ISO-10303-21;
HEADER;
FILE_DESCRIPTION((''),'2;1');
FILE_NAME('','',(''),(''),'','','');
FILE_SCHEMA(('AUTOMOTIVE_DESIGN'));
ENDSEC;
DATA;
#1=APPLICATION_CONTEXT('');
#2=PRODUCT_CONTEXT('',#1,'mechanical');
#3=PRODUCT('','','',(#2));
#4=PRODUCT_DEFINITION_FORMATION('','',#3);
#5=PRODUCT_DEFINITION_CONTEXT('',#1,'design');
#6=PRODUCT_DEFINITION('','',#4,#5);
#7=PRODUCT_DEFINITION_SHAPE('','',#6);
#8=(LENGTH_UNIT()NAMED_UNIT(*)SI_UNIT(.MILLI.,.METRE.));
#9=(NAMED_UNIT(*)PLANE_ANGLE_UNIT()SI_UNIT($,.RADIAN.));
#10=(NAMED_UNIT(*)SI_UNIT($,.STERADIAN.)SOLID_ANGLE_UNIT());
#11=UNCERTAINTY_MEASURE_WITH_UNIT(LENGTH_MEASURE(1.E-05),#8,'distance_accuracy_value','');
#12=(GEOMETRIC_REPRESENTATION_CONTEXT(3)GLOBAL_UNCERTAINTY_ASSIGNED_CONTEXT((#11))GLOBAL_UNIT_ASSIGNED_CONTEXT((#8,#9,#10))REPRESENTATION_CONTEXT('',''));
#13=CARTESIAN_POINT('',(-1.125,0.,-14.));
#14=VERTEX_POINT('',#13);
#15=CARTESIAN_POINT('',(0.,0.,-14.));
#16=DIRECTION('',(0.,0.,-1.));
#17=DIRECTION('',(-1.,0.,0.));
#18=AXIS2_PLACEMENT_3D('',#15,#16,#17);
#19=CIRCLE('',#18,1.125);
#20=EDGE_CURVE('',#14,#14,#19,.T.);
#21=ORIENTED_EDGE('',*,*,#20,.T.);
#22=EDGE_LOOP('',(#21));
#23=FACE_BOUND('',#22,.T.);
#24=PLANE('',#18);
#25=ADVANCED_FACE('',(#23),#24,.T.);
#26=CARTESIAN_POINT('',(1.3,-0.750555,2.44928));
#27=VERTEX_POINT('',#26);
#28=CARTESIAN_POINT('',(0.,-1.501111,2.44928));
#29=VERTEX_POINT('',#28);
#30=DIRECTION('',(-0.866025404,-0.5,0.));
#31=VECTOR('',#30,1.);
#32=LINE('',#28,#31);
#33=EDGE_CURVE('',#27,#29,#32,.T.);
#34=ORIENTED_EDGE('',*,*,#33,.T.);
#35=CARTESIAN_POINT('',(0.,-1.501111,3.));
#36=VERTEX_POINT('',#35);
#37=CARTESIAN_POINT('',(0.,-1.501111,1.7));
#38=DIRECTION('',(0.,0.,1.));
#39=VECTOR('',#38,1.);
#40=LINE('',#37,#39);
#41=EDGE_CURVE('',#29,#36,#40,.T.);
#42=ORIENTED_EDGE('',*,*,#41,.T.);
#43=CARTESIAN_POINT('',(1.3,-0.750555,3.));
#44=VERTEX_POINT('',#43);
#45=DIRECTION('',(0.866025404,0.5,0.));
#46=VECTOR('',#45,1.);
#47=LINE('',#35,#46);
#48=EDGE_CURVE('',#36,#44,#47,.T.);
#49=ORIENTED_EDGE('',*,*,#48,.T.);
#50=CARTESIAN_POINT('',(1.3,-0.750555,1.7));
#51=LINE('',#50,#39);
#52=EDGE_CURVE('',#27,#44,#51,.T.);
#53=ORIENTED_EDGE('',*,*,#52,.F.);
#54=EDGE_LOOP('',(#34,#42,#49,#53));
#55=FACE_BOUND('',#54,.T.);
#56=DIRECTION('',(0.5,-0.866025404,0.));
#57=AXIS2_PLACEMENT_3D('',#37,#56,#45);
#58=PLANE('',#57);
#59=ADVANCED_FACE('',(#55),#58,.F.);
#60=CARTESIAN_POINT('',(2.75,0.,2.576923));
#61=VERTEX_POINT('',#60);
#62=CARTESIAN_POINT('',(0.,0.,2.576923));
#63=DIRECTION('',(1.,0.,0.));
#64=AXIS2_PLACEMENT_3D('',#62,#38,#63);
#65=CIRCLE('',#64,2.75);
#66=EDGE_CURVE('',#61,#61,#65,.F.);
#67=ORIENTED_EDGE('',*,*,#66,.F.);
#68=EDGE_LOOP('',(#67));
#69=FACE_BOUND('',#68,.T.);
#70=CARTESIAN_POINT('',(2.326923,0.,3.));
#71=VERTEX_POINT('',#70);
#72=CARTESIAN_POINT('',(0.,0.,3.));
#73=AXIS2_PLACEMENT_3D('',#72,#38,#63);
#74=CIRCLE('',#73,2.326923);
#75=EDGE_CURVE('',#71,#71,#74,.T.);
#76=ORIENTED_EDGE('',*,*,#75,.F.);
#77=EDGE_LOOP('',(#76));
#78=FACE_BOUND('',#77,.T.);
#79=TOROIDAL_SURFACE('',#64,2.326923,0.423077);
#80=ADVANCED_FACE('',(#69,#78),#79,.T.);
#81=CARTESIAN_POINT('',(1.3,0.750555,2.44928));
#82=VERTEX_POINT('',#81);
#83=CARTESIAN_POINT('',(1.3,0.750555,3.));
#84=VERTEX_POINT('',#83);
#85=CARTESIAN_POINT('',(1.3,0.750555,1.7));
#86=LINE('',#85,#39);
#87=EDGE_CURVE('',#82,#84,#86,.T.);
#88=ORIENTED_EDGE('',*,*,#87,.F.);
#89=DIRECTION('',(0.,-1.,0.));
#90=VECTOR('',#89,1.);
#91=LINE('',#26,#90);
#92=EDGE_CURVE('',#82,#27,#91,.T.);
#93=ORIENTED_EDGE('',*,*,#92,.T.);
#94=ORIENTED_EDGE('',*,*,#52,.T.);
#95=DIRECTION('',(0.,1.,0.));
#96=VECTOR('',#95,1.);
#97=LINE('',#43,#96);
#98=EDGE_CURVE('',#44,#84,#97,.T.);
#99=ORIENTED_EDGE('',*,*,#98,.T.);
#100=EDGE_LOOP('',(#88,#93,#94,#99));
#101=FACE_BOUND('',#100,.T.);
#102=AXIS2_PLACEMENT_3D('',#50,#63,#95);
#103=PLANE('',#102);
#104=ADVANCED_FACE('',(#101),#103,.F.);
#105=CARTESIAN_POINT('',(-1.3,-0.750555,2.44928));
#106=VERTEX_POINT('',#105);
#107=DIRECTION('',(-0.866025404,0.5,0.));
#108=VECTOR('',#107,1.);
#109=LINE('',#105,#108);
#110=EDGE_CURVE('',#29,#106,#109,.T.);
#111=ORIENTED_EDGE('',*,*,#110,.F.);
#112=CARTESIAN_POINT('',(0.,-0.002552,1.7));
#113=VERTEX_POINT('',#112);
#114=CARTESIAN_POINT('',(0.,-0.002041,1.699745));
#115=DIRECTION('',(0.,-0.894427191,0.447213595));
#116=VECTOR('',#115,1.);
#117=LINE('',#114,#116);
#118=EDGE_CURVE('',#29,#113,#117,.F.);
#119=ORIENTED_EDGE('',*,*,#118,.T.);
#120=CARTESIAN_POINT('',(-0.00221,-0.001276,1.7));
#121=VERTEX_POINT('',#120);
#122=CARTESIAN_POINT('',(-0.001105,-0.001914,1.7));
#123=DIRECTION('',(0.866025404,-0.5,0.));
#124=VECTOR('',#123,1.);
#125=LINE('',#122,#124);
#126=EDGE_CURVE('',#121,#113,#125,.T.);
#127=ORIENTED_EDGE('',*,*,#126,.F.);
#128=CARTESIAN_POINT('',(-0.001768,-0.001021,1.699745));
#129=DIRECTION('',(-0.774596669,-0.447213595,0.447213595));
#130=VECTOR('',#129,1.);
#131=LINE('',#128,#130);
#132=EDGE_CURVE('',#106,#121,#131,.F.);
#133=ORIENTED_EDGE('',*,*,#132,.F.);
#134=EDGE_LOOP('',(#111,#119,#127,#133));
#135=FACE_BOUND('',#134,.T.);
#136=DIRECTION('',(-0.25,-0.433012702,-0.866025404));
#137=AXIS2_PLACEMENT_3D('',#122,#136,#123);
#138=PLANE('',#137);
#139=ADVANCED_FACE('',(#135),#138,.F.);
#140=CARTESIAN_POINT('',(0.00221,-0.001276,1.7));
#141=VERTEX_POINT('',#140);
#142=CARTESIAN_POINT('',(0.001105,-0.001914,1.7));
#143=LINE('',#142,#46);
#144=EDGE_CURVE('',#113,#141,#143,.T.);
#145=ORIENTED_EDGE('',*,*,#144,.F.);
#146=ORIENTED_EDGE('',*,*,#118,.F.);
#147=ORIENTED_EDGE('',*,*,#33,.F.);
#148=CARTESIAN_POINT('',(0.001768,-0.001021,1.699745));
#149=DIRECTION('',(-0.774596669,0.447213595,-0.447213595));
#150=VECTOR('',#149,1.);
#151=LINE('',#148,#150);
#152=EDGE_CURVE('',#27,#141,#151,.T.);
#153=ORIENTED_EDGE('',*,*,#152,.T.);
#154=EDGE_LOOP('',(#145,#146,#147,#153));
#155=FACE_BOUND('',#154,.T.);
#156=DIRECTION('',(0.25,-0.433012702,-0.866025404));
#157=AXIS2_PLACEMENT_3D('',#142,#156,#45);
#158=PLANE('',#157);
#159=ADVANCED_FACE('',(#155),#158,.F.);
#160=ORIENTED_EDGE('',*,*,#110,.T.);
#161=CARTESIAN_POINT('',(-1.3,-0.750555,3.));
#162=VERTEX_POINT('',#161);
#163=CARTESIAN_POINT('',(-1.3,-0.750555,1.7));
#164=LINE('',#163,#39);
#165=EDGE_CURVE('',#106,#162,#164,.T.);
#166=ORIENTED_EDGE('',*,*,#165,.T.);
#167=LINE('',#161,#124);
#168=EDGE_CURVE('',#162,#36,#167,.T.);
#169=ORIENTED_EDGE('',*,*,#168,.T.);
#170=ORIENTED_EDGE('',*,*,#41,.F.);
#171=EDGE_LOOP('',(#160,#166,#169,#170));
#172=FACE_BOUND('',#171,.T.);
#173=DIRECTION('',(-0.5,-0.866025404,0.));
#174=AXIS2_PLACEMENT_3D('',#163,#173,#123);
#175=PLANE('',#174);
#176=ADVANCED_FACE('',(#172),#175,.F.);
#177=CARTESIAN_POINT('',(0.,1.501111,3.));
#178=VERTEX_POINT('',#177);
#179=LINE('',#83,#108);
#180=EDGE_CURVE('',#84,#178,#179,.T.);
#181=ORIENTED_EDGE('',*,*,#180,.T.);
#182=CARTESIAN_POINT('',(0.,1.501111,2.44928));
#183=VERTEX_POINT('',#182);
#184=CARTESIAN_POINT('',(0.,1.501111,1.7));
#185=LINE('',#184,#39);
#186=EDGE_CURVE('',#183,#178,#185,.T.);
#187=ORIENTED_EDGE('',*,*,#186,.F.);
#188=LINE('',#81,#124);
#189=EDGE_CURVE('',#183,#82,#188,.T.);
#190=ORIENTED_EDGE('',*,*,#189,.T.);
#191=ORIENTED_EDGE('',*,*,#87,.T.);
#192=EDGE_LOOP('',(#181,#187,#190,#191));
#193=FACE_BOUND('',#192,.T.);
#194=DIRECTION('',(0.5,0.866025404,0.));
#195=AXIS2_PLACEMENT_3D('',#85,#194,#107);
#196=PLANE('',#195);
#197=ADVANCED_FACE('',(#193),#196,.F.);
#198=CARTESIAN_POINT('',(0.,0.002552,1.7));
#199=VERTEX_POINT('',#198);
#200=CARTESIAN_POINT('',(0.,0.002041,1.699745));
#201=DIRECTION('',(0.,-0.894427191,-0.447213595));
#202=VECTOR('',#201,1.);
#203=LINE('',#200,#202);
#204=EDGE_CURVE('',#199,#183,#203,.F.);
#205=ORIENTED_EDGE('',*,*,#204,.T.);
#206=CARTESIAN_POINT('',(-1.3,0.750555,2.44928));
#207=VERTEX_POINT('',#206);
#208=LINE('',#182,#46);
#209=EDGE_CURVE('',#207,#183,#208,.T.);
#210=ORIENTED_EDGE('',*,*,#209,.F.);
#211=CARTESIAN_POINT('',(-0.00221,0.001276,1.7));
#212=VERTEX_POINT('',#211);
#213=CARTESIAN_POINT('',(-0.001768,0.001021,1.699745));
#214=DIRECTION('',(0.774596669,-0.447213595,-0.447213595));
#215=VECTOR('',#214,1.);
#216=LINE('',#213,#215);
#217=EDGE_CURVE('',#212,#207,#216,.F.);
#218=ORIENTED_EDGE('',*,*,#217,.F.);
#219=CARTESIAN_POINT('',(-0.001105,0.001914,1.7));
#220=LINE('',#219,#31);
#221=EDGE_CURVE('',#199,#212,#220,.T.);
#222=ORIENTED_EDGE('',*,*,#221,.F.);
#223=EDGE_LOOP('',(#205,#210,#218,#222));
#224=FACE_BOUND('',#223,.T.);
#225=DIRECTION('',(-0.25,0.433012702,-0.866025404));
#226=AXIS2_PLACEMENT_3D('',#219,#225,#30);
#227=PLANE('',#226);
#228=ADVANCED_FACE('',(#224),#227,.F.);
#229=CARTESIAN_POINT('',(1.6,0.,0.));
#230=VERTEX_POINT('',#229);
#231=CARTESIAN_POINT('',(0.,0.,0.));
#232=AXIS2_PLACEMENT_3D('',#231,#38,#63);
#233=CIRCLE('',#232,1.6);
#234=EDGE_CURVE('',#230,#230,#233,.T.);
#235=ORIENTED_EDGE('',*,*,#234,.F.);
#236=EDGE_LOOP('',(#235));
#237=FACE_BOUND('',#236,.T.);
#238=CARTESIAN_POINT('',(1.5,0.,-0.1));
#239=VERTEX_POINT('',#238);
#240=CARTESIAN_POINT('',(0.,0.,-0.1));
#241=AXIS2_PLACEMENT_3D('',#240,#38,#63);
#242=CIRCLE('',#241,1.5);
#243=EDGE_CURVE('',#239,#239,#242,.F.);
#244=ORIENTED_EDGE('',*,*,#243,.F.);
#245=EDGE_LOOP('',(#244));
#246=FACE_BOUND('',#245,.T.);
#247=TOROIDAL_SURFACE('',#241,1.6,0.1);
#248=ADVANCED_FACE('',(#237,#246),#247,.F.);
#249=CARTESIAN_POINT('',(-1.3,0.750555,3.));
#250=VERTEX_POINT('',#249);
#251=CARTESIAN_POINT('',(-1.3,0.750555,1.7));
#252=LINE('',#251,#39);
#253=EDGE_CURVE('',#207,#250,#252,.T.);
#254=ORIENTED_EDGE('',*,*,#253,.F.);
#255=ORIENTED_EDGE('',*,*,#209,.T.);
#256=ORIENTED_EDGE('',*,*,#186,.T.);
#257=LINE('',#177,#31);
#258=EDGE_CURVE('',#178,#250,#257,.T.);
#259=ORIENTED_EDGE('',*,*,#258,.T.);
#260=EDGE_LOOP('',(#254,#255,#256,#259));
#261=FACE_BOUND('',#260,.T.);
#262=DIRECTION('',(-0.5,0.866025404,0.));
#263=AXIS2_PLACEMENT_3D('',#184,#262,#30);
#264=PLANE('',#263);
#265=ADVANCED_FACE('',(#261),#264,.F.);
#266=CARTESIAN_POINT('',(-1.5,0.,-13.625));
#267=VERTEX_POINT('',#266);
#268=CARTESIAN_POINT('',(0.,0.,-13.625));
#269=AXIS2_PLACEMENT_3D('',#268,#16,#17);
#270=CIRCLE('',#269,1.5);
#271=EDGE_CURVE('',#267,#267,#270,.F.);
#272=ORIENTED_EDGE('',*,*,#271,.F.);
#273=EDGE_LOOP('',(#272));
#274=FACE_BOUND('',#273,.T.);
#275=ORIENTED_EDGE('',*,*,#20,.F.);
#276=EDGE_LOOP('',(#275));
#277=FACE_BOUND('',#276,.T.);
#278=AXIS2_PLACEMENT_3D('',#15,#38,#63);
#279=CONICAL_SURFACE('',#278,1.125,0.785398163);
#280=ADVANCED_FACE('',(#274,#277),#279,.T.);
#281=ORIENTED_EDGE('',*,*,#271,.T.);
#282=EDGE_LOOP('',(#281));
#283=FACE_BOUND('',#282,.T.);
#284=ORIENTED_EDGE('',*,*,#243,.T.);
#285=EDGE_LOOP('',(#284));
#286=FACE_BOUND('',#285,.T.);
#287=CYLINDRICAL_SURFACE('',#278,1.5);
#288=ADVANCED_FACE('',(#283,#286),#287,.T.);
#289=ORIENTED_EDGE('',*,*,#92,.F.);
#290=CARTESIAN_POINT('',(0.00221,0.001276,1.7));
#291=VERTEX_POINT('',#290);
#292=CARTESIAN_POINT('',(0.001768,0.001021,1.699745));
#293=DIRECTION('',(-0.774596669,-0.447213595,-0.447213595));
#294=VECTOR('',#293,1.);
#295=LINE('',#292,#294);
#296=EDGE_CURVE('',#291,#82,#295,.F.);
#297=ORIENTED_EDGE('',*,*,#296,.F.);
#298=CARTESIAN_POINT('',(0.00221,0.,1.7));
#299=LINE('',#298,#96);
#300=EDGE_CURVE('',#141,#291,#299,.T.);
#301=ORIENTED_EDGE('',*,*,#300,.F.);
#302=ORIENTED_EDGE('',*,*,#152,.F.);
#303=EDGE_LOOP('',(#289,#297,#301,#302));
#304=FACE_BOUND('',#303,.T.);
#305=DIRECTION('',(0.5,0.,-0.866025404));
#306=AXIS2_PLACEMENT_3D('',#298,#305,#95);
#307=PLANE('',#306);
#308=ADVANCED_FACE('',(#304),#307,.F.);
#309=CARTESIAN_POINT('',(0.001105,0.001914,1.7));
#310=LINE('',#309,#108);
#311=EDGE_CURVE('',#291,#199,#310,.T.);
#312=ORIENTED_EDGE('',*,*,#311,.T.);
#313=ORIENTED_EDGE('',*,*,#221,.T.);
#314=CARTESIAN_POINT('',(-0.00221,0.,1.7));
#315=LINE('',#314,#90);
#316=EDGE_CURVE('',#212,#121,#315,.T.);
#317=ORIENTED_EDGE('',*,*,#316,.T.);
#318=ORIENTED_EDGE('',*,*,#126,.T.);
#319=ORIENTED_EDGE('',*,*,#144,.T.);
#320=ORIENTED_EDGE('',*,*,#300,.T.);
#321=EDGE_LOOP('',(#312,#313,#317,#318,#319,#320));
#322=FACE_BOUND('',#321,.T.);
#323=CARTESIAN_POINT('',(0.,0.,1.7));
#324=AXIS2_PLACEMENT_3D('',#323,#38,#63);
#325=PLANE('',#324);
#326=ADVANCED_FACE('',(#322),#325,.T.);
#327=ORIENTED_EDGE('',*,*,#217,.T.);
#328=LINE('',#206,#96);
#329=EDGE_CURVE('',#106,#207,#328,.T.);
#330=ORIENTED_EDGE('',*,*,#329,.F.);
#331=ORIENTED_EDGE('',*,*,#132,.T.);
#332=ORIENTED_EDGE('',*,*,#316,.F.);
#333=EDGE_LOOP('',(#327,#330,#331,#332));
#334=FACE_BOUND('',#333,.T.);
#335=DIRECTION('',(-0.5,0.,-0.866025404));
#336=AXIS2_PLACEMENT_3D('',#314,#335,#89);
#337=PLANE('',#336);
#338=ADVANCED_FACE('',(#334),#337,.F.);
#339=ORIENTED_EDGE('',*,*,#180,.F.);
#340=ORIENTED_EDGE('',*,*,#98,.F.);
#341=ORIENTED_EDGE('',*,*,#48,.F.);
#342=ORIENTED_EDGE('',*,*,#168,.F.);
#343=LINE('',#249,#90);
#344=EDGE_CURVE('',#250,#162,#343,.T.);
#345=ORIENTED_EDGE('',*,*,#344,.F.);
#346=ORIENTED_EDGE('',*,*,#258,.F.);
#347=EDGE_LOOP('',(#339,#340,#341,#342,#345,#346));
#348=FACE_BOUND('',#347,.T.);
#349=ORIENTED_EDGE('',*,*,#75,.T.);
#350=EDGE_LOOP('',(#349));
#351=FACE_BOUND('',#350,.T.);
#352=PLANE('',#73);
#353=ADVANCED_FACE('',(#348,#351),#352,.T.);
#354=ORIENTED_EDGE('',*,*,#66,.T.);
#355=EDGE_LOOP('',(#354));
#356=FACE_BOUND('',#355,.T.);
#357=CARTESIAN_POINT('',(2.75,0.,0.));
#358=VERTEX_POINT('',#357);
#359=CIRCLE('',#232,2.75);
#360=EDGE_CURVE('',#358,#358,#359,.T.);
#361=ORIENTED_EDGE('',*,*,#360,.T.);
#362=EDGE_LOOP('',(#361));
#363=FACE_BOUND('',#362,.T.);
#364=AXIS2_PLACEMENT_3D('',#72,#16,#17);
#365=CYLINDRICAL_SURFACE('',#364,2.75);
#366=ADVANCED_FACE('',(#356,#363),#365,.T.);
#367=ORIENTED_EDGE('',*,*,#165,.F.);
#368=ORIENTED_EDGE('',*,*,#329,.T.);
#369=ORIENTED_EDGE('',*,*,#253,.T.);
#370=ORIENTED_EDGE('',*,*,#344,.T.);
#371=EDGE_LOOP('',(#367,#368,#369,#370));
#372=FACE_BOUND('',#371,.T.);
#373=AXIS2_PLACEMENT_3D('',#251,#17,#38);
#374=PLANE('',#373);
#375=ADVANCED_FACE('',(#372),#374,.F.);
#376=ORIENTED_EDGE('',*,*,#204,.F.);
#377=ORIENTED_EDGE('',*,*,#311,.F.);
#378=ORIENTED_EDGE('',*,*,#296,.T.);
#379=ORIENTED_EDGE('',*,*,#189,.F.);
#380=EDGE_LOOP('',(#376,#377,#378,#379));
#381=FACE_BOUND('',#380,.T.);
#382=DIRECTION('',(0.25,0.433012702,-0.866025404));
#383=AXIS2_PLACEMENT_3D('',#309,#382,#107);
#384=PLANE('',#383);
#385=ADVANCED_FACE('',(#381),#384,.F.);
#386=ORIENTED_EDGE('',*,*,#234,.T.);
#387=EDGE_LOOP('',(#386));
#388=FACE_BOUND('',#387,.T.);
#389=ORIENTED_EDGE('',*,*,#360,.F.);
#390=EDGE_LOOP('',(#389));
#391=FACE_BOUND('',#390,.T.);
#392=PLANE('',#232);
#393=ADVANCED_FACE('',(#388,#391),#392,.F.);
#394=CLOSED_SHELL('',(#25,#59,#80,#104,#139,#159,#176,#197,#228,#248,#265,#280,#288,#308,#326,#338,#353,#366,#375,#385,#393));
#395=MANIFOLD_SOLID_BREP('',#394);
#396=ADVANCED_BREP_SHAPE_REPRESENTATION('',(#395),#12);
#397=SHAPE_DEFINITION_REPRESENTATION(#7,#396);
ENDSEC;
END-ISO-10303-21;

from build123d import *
from OCP.BRepFilletAPI import BRepFilletAPI_MakeChamfer

# Parameters (mm, degrees)
SKETCH_1_R          = 2.75
EXTRUDE_1_DEPTH     = 3
CUT_EXTRUDE_1_DEPTH = 1.3
SKETCH_3_R          = 1.5
EXTRUDE_2_DEPTH     = 14
CHAMFER_1_SIZE      = 0.375
FILLET_1_R          = 0.423076923
CHAMFER_2_SIZE      = 0.749279539
CHAMFER_2_SIZE2     = 1.29779023
FILLET_2_R          = 0.1


with BuildPart() as part:
    # 草图1 → 凸台-拉伸1 (new body)
    with BuildSketch(Plane.XY):
        Circle(SKETCH_1_R)
    extrude(amount=EXTRUDE_1_DEPTH)

    # 草图2 → 切除-拉伸1 (cut)
    with BuildSketch(Plane.XY.offset(3)):
        Polygon((1.3, 0.75055535), (0, 1.5011107), (-1.3, 0.75055535), (-1.3, -0.75055535), (0, -1.5011107), (1.3, -0.75055535), align=None)
    extrude(amount=-CUT_EXTRUDE_1_DEPTH, mode=Mode.SUBTRACT)

    # 草图3 → 凸台-拉伸2 (add)
    with BuildSketch(Plane(origin=(0, 0, 0), x_dir=(-1, 0, 0), z_dir=(0, 0, -1))):
        Circle(SKETCH_3_R)
    extrude(amount=EXTRUDE_2_DEPTH)

    # 倒角1
    chamfer_1_edges = [part.edges().sort_by_distance(p)[0] for p in [
        (1.5, 0, -14),
    ]]
    chamfer(chamfer_1_edges, length=CHAMFER_1_SIZE)

    # 圆角1
    fillet_1_edges = [part.edges().sort_by_distance(p)[0] for p in [
        (-2.75, 0, 3),
    ]]
    fillet(fillet_1_edges, radius=FILLET_1_R)

    # 倒角2: one chamfer whose edges measure the first distance from different faces: ONE call of the kernel's chamfer builder (chamfer() names one face for all edges)
    chamfer_2_edges_1 = [part.edges().sort_by_distance(p)[0] for p in [
        (-1.3, 0, 1.7),
    ]]
    chamfer_2_side_1 = [part.faces().sort_by_distance(p)[0] for p in [
        (-1.3, 0, 2.35),
    ]]
    chamfer_2_edges_2 = [part.edges().sort_by_distance(p)[0] for p in [
        (-0.65, 1.125833025, 1.7),
    ]]
    chamfer_2_side_2 = [part.faces().sort_by_distance(p)[0] for p in [
        (-0.65, 1.125833025, 2.35),
    ]]
    chamfer_2_edges_3 = [part.edges().sort_by_distance(p)[0] for p in [
        (0.65, 1.125833025, 1.7),
    ]]
    chamfer_2_side_3 = [part.faces().sort_by_distance(p)[0] for p in [
        (0.65, 1.125833025, 2.35),
    ]]
    chamfer_2_edges_4 = [part.edges().sort_by_distance(p)[0] for p in [
        (1.3, 0, 1.7),
    ]]
    chamfer_2_side_4 = [part.faces().sort_by_distance(p)[0] for p in [
        (1.3, 0, 2.35),
    ]]
    chamfer_2_edges_5 = [part.edges().sort_by_distance(p)[0] for p in [
        (-0.65, -1.125833025, 1.7),
    ]]
    chamfer_2_side_5 = [part.faces().sort_by_distance(p)[0] for p in [
        (-0.65, -1.125833025, 2.35),
    ]]
    chamfer_2_edges_6 = [part.edges().sort_by_distance(p)[0] for p in [
        (0.65, -1.125833025, 1.7),
    ]]
    chamfer_2_side_6 = [part.faces().sort_by_distance(p)[0] for p in [
        (0.65, -1.125833025, 2.35),
    ]]
    chamfer_2 = BRepFilletAPI_MakeChamfer(part.part.solid().wrapped)
    for e in chamfer_2_edges_1:
        chamfer_2.Add(CHAMFER_2_SIZE, CHAMFER_2_SIZE2, e.wrapped, chamfer_2_side_1[0].wrapped)  # the first distance lies on this face
    for e in chamfer_2_edges_2:
        chamfer_2.Add(CHAMFER_2_SIZE, CHAMFER_2_SIZE2, e.wrapped, chamfer_2_side_2[0].wrapped)  # the first distance lies on this face
    for e in chamfer_2_edges_3:
        chamfer_2.Add(CHAMFER_2_SIZE, CHAMFER_2_SIZE2, e.wrapped, chamfer_2_side_3[0].wrapped)  # the first distance lies on this face
    for e in chamfer_2_edges_4:
        chamfer_2.Add(CHAMFER_2_SIZE, CHAMFER_2_SIZE2, e.wrapped, chamfer_2_side_4[0].wrapped)  # the first distance lies on this face
    for e in chamfer_2_edges_5:
        chamfer_2.Add(CHAMFER_2_SIZE, CHAMFER_2_SIZE2, e.wrapped, chamfer_2_side_5[0].wrapped)  # the first distance lies on this face
    for e in chamfer_2_edges_6:
        chamfer_2.Add(CHAMFER_2_SIZE, CHAMFER_2_SIZE2, e.wrapped, chamfer_2_side_6[0].wrapped)  # the first distance lies on this face
    add(Compound.cast(chamfer_2.Shape()), mode=Mode.REPLACE)

    # 圆角2
    fillet_2_edges = [part.edges().sort_by_distance(p)[0] for p in [
        (1.5, 0, 0),
    ]]
    fillet(fillet_2_edges, radius=FILLET_2_R)


solid = part.part
